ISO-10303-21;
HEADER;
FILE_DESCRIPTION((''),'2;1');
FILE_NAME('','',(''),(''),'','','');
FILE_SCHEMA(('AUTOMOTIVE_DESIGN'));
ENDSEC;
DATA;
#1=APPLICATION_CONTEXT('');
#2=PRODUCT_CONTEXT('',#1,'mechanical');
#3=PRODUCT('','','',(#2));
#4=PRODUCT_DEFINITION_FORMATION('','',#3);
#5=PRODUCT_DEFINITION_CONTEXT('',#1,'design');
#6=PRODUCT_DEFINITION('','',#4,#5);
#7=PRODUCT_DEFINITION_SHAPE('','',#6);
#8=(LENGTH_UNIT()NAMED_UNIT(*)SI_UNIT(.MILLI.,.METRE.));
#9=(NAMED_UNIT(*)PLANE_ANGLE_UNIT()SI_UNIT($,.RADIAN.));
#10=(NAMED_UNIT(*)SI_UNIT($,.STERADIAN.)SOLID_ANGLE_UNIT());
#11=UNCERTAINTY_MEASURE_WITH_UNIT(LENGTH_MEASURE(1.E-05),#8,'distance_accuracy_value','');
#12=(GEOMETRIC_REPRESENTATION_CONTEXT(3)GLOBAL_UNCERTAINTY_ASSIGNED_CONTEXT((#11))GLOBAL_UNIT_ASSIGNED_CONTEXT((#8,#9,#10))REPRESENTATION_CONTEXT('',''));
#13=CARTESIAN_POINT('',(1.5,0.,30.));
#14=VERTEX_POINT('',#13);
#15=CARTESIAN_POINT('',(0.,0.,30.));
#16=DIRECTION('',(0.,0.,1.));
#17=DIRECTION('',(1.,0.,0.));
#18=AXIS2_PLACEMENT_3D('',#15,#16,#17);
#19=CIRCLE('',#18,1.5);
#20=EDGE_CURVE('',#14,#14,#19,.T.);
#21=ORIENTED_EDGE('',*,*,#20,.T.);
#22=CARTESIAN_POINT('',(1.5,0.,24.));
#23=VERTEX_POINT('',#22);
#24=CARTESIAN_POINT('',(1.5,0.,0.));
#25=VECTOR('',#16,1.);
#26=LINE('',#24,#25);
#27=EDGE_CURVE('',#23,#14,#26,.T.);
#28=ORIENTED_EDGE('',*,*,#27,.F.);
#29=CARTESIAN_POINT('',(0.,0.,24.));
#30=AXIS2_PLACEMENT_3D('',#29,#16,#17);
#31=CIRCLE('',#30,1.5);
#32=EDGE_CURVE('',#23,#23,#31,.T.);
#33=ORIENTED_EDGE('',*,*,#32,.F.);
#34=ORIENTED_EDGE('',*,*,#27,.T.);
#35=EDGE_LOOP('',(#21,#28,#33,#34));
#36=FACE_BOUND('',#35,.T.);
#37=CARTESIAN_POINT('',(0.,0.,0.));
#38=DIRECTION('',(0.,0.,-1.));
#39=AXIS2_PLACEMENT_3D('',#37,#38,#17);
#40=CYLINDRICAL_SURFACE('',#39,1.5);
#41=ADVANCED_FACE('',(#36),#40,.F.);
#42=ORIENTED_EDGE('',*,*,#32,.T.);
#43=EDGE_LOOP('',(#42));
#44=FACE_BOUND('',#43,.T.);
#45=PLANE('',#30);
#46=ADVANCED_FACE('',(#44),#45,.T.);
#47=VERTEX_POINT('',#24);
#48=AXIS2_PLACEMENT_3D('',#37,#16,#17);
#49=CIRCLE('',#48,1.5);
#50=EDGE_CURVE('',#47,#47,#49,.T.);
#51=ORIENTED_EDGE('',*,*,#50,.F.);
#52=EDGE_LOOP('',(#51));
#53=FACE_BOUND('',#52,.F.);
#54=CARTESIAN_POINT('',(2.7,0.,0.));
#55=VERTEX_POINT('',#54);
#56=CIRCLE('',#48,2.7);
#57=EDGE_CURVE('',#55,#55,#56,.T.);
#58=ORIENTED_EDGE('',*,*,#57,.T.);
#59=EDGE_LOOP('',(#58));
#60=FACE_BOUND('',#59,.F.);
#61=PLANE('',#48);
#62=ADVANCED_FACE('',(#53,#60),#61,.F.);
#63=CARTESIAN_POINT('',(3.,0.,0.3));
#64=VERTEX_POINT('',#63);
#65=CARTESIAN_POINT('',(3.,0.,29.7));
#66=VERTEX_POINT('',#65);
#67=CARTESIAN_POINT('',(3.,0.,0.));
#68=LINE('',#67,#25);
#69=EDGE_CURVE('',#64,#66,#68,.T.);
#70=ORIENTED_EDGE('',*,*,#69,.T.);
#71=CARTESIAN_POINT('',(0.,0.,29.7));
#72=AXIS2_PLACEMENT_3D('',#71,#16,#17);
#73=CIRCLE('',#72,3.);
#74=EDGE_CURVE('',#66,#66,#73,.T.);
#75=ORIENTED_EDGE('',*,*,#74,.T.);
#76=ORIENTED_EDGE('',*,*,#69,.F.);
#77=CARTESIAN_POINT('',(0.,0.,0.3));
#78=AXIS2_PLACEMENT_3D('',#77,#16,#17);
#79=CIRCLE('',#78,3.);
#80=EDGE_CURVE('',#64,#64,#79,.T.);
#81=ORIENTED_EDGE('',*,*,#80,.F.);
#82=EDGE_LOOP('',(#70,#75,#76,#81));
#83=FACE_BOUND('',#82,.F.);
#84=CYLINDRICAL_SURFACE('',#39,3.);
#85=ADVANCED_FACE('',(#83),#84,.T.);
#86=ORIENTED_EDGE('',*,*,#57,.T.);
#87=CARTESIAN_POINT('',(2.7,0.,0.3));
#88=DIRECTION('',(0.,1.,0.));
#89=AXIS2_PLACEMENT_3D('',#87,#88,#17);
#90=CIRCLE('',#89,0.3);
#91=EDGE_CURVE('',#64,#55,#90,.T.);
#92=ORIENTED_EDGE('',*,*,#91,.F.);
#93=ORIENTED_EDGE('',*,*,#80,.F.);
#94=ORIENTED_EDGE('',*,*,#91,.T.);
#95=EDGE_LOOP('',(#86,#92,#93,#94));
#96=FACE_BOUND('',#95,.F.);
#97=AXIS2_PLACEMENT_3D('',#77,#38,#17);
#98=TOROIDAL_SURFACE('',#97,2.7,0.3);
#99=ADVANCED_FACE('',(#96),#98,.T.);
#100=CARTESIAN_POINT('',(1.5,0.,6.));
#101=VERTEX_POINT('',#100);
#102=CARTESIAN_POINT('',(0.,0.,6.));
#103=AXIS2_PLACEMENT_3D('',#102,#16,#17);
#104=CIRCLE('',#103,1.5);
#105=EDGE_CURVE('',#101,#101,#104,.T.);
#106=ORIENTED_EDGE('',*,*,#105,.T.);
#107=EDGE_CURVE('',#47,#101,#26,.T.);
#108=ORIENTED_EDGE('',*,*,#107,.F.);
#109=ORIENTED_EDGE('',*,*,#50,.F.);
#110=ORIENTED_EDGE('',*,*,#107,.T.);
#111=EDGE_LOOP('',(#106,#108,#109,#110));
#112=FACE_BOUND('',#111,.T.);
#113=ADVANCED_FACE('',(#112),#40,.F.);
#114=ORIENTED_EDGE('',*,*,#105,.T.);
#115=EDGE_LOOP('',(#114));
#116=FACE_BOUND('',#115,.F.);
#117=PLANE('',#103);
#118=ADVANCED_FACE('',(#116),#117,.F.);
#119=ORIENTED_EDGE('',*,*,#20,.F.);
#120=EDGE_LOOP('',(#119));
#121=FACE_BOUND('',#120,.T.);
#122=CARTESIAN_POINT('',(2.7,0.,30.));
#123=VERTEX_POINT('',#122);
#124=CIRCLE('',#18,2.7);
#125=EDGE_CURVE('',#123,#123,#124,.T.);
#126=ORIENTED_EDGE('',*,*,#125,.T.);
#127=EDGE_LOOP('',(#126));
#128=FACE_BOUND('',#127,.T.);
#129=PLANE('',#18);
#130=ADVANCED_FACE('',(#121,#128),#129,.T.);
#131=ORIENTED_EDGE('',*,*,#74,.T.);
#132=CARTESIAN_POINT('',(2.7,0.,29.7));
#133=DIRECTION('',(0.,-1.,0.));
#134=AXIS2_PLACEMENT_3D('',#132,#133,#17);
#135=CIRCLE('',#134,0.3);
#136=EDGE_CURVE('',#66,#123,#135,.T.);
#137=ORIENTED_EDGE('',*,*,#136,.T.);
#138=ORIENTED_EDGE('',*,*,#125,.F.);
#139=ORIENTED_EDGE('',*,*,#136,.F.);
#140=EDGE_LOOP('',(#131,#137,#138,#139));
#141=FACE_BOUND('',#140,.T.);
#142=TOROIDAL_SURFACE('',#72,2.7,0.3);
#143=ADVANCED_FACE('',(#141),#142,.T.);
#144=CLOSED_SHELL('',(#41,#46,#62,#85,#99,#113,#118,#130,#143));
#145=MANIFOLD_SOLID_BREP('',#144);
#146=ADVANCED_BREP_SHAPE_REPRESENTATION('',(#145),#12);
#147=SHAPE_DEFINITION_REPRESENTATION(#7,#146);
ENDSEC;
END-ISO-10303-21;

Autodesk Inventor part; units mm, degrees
ref_plane "YZ Plane" through (0, 0, 0) normal (1, 0, 0) x (0, 1, 0)
ref_plane "XZ Plane" through (0, 0, 0) normal (0, 1, 0) x (-1, 0, 0)
ref_plane "XY Plane" through (0, 0, 0) normal (0, 0, 1) x (1, 0, 0)
sketch "スケッチ1" plane through (0, 0, 0) normal (0, 0, 1) x (1, 0, 0)
  circle A0 centre (0, 0) radius 3
  circle A1 centre (0, 0) radius 1.5
  dimension "d0" = 6
  dimension "d1" = 3
extrude "押し出し1" add sketch "スケッチ1" along normal blind 30
fillet "フィレット1" radius 0.3 2 edges at (-3, 0, 30) (-3, 0, 0)
thread "ねじ1" size "M3x0.5" class "6H" standard "ANSI Metric M Profile" length 100
extrude "押し出し2" add sketch "スケッチ1" along normal blind 24 contours A1
extrude "押し出し3" cut sketch "スケッチ1" along normal blind 6 contours A1
thread "ねじ2" size "M3x0.5" class "6H" standard "ANSI Metric M Profile" full length
properties part number "スペーサーM3L30アルミ" material "アルミニウム 2014-T4"
